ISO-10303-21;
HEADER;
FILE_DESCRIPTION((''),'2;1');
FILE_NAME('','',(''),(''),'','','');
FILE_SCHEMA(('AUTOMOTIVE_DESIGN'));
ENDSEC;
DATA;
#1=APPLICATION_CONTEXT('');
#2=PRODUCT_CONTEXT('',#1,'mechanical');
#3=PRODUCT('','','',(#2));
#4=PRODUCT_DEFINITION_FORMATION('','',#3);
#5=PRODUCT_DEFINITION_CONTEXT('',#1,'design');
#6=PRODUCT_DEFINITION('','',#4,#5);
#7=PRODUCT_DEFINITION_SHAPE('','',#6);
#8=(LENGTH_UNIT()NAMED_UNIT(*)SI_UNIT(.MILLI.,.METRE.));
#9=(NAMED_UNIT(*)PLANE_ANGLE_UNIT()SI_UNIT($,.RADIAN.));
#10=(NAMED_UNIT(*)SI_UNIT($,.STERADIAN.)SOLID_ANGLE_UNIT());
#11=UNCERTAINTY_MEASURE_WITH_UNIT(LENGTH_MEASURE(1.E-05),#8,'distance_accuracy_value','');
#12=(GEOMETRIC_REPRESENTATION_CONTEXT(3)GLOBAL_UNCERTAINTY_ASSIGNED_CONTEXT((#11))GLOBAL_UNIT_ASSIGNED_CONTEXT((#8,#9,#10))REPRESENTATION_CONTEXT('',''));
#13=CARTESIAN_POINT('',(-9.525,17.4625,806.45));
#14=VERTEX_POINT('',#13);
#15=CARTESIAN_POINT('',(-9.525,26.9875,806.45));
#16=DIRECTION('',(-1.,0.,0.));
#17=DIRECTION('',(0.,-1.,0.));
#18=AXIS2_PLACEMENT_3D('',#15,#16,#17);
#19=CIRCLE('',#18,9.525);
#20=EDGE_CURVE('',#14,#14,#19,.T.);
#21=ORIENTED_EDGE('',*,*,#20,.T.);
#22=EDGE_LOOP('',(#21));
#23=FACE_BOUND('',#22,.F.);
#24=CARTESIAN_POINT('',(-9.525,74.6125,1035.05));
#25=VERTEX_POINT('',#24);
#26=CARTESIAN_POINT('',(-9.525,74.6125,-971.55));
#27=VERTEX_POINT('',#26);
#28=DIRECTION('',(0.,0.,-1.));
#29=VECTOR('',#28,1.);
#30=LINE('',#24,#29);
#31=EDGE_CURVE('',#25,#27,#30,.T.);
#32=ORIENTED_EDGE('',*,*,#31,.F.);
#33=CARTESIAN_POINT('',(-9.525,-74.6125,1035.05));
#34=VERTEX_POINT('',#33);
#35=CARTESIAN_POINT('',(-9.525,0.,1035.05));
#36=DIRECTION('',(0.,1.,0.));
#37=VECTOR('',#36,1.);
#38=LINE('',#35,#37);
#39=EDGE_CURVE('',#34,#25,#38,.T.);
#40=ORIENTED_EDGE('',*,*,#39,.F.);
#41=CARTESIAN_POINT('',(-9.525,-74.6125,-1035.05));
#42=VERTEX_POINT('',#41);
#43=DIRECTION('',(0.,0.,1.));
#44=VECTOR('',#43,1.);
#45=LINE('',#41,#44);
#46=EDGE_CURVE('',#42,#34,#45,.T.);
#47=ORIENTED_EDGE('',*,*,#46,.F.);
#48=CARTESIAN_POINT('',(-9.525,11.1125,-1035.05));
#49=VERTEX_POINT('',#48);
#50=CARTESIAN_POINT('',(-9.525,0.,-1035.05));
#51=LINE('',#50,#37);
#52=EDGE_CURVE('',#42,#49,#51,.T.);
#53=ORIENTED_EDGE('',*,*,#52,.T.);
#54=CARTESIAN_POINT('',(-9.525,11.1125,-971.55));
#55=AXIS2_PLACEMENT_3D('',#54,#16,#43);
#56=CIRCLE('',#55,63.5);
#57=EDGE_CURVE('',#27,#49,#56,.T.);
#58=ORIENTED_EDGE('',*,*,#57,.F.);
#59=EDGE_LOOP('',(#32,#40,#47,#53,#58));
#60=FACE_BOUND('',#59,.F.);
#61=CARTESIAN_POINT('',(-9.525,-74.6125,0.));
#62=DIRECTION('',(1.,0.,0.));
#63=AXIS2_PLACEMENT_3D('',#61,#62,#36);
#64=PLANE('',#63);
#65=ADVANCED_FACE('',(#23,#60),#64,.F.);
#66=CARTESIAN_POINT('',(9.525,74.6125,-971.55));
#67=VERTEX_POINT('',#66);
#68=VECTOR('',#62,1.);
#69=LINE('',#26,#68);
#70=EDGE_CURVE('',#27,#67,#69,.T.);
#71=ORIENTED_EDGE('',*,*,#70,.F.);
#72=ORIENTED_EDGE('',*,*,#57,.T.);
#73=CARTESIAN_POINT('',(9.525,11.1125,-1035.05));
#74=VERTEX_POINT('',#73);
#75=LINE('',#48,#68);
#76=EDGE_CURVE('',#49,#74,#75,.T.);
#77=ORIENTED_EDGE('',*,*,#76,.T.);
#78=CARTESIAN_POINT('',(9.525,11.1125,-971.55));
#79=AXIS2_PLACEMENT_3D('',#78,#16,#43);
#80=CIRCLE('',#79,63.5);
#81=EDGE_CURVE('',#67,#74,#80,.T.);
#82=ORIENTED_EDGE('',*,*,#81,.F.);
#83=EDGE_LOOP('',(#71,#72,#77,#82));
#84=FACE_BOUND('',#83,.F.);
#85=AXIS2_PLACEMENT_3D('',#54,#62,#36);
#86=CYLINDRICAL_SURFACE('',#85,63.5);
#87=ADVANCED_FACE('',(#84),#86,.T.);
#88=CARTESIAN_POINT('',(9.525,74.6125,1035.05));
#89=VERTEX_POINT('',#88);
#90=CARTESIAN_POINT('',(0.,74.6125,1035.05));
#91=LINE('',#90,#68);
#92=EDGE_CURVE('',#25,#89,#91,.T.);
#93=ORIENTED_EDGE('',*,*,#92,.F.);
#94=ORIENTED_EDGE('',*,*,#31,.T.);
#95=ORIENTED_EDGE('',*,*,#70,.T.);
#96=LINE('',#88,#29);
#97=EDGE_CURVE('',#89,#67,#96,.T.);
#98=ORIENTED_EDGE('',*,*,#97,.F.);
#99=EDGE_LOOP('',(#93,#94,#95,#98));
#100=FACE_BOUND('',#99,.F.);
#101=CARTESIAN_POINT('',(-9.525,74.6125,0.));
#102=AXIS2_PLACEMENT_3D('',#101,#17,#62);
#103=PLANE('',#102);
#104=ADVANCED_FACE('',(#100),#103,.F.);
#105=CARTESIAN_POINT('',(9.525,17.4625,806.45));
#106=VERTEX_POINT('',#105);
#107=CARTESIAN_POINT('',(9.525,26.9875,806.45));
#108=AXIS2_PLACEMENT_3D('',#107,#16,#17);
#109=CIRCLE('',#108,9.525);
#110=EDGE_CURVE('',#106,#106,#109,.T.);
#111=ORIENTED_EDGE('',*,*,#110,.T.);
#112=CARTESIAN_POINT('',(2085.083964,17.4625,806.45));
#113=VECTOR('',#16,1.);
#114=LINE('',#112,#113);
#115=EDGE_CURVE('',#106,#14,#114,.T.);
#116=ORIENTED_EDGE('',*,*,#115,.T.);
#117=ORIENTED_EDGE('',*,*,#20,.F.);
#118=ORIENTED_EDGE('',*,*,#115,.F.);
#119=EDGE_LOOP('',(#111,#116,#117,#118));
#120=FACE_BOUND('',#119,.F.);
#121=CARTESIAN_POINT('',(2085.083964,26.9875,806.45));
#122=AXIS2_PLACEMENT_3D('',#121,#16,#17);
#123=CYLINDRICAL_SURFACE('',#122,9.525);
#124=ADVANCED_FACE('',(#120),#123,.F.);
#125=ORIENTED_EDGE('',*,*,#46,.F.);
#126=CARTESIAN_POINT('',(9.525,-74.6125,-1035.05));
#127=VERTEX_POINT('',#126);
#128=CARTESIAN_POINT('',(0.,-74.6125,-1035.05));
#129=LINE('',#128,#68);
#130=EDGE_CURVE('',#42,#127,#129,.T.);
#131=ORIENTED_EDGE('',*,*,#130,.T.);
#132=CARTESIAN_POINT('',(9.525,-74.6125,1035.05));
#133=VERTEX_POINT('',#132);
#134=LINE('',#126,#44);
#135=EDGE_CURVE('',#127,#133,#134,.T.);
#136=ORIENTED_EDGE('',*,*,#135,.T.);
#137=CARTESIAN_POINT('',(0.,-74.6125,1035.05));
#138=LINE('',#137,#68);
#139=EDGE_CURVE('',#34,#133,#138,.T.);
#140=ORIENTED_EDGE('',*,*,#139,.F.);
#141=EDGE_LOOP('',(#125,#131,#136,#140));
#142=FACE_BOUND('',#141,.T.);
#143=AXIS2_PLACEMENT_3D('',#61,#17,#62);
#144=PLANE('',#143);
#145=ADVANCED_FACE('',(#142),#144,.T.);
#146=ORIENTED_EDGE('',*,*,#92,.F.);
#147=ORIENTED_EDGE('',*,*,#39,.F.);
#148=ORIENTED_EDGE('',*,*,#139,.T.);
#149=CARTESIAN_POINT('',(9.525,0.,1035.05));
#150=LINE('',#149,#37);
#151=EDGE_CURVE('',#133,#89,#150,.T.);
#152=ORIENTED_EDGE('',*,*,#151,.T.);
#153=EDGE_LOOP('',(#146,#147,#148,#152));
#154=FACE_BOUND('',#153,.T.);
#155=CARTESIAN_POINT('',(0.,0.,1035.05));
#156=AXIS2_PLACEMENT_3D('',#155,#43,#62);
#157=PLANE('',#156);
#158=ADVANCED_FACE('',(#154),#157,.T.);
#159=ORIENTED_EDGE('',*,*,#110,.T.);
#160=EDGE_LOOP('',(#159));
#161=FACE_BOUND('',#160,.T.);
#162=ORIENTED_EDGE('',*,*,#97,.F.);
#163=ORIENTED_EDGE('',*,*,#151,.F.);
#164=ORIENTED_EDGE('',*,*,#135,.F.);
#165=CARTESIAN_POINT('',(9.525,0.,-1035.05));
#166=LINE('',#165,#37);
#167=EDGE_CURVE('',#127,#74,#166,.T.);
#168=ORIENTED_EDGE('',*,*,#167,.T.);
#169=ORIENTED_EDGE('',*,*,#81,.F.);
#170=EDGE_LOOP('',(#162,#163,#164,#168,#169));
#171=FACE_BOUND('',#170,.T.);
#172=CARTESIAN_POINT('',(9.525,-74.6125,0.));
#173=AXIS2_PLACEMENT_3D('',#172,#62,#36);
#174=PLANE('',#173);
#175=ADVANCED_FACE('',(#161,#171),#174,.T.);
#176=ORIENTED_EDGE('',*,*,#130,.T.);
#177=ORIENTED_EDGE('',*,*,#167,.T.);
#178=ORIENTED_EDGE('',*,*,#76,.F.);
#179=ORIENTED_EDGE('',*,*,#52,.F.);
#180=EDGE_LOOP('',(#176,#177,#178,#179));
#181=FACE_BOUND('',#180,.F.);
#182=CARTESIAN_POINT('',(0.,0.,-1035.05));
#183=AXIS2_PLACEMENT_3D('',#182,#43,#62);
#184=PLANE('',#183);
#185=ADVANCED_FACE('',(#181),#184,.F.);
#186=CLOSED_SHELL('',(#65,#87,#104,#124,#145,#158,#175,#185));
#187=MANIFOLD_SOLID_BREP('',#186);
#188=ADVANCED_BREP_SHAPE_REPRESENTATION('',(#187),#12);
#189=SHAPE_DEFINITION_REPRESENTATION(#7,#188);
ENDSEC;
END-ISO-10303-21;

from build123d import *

# Parameters (mm, degrees)
F0_W     = 19.05
F0_H     = 149.225
F1_DEPTH = 1035.05
F2_R     = 63.5
F4_D     = 19.05


with BuildPart() as f1:
    # F0 (on Top) → F1 (new body, symmetric)
    with BuildSketch(Plane.XY):
        Rectangle(F0_W, F0_H)
    extrude(amount=F1_DEPTH, both=True)

    # F2
    f2_edges = [f1.edges().sort_by_distance(p)[0] for p in [
        (0, 74.6125, -1035.05),
    ]]
    fillet(f2_edges, radius=F2_R)

    # F4 (through all)
    with Locations(Plane.YZ.offset(9.525)):
        with Locations((26.9875, 806.45)):
            Hole(F4_D / 2)


solid = f1.part
